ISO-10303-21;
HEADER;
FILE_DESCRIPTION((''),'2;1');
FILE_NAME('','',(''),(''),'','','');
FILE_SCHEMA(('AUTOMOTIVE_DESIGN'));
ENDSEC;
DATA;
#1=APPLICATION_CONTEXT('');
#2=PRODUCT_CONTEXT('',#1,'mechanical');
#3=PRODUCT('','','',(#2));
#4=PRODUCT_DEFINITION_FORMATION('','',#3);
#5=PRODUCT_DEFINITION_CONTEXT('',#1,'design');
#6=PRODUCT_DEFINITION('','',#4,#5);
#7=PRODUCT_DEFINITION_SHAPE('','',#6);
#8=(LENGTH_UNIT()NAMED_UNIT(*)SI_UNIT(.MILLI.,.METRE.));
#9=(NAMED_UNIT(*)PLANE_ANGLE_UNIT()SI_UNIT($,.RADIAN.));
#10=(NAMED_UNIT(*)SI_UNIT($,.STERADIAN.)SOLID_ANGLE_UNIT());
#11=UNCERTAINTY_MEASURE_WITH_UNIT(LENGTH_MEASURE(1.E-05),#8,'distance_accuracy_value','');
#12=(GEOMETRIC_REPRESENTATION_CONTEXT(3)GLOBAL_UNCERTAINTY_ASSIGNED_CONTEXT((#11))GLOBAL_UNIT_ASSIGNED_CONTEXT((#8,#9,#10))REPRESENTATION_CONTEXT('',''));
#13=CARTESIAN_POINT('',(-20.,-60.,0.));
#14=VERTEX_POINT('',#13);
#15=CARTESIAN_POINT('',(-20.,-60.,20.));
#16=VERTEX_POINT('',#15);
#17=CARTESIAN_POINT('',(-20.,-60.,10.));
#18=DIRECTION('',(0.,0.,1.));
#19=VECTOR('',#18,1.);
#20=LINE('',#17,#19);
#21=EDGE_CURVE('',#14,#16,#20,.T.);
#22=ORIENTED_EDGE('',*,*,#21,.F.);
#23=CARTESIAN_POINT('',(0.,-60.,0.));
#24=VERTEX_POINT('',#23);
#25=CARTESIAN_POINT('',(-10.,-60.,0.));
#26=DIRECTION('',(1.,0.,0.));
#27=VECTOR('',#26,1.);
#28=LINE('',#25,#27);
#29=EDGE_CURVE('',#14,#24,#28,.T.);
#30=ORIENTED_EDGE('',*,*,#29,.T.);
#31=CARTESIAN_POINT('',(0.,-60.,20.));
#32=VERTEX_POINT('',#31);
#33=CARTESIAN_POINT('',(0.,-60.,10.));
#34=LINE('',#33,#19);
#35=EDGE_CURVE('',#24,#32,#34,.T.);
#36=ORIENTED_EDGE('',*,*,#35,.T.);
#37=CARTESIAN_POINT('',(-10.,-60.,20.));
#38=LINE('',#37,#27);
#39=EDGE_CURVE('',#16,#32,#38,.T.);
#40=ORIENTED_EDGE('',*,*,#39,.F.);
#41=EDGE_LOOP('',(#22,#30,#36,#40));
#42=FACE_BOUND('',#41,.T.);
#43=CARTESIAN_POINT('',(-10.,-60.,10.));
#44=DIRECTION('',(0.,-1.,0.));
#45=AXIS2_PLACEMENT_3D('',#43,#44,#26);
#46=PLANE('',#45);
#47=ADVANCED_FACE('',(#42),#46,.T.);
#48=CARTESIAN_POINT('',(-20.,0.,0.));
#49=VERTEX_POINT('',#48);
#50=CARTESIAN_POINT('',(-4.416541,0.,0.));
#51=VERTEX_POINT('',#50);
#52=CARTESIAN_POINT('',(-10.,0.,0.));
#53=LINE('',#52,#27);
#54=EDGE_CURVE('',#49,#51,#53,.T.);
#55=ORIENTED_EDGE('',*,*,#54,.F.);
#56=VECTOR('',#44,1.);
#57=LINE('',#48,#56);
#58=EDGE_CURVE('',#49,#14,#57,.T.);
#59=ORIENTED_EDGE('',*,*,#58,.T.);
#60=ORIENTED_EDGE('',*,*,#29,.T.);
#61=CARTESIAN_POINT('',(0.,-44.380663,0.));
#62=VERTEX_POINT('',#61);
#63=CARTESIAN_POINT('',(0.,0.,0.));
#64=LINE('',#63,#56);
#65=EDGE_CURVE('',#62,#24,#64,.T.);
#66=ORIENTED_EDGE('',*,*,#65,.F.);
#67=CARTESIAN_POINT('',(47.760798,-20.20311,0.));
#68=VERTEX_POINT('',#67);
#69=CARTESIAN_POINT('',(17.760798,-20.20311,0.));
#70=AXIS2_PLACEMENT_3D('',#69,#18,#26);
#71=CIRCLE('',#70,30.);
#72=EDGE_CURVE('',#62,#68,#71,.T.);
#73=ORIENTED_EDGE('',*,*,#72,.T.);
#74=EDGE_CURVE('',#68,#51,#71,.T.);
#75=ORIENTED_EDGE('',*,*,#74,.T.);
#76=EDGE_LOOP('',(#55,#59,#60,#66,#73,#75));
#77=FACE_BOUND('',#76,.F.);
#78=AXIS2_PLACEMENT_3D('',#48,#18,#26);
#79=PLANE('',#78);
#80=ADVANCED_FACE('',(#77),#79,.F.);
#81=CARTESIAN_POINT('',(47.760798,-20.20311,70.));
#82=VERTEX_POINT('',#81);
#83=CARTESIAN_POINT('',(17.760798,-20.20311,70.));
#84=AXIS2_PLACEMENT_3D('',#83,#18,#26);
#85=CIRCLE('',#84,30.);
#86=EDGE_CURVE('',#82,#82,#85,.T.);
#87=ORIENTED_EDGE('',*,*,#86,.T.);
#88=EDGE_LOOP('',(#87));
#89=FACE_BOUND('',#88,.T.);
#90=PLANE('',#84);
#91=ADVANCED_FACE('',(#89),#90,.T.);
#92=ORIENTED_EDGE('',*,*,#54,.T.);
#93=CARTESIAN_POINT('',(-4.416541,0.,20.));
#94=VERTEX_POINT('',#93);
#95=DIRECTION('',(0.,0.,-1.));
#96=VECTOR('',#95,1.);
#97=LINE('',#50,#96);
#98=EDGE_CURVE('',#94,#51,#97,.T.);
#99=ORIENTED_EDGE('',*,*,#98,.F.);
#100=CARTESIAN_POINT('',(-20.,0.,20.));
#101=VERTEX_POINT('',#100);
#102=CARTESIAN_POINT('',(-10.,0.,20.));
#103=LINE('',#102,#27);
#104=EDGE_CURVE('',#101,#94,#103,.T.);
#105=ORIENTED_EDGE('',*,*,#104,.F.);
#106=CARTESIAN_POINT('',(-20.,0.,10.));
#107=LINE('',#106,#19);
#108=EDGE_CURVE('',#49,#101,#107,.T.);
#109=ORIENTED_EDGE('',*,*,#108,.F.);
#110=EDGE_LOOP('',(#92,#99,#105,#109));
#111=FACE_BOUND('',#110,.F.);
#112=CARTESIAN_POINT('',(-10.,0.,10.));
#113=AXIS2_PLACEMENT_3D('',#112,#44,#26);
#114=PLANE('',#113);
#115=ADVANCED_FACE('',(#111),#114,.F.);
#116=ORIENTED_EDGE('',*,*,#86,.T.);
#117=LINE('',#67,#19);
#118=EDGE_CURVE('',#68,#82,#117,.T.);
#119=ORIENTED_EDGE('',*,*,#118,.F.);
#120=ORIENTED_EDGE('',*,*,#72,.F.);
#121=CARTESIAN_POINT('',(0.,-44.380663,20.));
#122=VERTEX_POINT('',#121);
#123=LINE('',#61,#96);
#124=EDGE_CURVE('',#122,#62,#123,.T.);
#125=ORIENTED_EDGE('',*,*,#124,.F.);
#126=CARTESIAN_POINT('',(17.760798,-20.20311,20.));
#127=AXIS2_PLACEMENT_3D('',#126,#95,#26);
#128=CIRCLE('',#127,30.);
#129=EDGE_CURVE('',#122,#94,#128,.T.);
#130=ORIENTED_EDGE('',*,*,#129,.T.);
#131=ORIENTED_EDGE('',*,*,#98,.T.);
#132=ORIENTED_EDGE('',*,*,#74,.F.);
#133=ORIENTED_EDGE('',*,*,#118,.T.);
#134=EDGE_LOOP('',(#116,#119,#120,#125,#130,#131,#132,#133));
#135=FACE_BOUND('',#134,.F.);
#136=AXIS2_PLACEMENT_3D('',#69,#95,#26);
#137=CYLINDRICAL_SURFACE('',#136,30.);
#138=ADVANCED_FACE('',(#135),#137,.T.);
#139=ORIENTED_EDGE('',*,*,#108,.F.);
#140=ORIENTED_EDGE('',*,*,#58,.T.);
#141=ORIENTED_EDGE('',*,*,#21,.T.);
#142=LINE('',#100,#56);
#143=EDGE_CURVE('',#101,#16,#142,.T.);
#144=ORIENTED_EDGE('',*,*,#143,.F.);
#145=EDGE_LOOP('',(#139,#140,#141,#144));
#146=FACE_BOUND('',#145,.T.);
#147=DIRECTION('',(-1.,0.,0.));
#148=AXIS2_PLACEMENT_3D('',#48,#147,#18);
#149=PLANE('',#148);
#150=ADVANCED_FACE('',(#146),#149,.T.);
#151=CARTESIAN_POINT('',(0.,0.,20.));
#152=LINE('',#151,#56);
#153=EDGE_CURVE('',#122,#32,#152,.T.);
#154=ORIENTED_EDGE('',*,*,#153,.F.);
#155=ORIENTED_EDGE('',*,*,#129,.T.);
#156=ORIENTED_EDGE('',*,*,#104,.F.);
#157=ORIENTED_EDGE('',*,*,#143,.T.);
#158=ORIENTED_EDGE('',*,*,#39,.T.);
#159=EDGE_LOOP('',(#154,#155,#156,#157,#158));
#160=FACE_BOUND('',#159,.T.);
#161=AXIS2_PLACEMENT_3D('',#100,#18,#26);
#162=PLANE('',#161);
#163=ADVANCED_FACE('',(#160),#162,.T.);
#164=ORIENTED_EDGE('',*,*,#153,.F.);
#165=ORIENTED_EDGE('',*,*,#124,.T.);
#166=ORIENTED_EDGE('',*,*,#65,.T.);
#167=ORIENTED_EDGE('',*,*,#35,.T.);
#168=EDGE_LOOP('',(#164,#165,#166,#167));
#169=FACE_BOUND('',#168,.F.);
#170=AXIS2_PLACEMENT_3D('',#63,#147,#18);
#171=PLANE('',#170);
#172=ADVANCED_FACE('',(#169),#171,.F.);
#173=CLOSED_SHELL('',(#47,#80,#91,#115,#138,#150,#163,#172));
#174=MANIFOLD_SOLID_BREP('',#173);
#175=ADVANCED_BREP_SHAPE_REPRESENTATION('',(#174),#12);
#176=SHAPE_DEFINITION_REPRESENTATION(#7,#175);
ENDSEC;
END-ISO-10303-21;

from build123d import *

# Parameters (mm, degrees)
F0_R     = 30
F1_DEPTH = 70
F2_W     = 20
F2_H     = 20
F3_DEPTH = 60


with BuildPart() as f1:
    # F0 (on Top) → F1 (new body)
    with BuildSketch(Plane.XY):
        with Locations((17.760798, -20.20311)):
            Circle(F0_R)
    extrude(amount=F1_DEPTH)

    # F2 (on Front) → F3 (join)
    with BuildSketch(Plane.XZ):
        with Locations((-10, 10)):
            Rectangle(F2_W, F2_H)
    extrude(amount=F3_DEPTH)


solid = f1.part
